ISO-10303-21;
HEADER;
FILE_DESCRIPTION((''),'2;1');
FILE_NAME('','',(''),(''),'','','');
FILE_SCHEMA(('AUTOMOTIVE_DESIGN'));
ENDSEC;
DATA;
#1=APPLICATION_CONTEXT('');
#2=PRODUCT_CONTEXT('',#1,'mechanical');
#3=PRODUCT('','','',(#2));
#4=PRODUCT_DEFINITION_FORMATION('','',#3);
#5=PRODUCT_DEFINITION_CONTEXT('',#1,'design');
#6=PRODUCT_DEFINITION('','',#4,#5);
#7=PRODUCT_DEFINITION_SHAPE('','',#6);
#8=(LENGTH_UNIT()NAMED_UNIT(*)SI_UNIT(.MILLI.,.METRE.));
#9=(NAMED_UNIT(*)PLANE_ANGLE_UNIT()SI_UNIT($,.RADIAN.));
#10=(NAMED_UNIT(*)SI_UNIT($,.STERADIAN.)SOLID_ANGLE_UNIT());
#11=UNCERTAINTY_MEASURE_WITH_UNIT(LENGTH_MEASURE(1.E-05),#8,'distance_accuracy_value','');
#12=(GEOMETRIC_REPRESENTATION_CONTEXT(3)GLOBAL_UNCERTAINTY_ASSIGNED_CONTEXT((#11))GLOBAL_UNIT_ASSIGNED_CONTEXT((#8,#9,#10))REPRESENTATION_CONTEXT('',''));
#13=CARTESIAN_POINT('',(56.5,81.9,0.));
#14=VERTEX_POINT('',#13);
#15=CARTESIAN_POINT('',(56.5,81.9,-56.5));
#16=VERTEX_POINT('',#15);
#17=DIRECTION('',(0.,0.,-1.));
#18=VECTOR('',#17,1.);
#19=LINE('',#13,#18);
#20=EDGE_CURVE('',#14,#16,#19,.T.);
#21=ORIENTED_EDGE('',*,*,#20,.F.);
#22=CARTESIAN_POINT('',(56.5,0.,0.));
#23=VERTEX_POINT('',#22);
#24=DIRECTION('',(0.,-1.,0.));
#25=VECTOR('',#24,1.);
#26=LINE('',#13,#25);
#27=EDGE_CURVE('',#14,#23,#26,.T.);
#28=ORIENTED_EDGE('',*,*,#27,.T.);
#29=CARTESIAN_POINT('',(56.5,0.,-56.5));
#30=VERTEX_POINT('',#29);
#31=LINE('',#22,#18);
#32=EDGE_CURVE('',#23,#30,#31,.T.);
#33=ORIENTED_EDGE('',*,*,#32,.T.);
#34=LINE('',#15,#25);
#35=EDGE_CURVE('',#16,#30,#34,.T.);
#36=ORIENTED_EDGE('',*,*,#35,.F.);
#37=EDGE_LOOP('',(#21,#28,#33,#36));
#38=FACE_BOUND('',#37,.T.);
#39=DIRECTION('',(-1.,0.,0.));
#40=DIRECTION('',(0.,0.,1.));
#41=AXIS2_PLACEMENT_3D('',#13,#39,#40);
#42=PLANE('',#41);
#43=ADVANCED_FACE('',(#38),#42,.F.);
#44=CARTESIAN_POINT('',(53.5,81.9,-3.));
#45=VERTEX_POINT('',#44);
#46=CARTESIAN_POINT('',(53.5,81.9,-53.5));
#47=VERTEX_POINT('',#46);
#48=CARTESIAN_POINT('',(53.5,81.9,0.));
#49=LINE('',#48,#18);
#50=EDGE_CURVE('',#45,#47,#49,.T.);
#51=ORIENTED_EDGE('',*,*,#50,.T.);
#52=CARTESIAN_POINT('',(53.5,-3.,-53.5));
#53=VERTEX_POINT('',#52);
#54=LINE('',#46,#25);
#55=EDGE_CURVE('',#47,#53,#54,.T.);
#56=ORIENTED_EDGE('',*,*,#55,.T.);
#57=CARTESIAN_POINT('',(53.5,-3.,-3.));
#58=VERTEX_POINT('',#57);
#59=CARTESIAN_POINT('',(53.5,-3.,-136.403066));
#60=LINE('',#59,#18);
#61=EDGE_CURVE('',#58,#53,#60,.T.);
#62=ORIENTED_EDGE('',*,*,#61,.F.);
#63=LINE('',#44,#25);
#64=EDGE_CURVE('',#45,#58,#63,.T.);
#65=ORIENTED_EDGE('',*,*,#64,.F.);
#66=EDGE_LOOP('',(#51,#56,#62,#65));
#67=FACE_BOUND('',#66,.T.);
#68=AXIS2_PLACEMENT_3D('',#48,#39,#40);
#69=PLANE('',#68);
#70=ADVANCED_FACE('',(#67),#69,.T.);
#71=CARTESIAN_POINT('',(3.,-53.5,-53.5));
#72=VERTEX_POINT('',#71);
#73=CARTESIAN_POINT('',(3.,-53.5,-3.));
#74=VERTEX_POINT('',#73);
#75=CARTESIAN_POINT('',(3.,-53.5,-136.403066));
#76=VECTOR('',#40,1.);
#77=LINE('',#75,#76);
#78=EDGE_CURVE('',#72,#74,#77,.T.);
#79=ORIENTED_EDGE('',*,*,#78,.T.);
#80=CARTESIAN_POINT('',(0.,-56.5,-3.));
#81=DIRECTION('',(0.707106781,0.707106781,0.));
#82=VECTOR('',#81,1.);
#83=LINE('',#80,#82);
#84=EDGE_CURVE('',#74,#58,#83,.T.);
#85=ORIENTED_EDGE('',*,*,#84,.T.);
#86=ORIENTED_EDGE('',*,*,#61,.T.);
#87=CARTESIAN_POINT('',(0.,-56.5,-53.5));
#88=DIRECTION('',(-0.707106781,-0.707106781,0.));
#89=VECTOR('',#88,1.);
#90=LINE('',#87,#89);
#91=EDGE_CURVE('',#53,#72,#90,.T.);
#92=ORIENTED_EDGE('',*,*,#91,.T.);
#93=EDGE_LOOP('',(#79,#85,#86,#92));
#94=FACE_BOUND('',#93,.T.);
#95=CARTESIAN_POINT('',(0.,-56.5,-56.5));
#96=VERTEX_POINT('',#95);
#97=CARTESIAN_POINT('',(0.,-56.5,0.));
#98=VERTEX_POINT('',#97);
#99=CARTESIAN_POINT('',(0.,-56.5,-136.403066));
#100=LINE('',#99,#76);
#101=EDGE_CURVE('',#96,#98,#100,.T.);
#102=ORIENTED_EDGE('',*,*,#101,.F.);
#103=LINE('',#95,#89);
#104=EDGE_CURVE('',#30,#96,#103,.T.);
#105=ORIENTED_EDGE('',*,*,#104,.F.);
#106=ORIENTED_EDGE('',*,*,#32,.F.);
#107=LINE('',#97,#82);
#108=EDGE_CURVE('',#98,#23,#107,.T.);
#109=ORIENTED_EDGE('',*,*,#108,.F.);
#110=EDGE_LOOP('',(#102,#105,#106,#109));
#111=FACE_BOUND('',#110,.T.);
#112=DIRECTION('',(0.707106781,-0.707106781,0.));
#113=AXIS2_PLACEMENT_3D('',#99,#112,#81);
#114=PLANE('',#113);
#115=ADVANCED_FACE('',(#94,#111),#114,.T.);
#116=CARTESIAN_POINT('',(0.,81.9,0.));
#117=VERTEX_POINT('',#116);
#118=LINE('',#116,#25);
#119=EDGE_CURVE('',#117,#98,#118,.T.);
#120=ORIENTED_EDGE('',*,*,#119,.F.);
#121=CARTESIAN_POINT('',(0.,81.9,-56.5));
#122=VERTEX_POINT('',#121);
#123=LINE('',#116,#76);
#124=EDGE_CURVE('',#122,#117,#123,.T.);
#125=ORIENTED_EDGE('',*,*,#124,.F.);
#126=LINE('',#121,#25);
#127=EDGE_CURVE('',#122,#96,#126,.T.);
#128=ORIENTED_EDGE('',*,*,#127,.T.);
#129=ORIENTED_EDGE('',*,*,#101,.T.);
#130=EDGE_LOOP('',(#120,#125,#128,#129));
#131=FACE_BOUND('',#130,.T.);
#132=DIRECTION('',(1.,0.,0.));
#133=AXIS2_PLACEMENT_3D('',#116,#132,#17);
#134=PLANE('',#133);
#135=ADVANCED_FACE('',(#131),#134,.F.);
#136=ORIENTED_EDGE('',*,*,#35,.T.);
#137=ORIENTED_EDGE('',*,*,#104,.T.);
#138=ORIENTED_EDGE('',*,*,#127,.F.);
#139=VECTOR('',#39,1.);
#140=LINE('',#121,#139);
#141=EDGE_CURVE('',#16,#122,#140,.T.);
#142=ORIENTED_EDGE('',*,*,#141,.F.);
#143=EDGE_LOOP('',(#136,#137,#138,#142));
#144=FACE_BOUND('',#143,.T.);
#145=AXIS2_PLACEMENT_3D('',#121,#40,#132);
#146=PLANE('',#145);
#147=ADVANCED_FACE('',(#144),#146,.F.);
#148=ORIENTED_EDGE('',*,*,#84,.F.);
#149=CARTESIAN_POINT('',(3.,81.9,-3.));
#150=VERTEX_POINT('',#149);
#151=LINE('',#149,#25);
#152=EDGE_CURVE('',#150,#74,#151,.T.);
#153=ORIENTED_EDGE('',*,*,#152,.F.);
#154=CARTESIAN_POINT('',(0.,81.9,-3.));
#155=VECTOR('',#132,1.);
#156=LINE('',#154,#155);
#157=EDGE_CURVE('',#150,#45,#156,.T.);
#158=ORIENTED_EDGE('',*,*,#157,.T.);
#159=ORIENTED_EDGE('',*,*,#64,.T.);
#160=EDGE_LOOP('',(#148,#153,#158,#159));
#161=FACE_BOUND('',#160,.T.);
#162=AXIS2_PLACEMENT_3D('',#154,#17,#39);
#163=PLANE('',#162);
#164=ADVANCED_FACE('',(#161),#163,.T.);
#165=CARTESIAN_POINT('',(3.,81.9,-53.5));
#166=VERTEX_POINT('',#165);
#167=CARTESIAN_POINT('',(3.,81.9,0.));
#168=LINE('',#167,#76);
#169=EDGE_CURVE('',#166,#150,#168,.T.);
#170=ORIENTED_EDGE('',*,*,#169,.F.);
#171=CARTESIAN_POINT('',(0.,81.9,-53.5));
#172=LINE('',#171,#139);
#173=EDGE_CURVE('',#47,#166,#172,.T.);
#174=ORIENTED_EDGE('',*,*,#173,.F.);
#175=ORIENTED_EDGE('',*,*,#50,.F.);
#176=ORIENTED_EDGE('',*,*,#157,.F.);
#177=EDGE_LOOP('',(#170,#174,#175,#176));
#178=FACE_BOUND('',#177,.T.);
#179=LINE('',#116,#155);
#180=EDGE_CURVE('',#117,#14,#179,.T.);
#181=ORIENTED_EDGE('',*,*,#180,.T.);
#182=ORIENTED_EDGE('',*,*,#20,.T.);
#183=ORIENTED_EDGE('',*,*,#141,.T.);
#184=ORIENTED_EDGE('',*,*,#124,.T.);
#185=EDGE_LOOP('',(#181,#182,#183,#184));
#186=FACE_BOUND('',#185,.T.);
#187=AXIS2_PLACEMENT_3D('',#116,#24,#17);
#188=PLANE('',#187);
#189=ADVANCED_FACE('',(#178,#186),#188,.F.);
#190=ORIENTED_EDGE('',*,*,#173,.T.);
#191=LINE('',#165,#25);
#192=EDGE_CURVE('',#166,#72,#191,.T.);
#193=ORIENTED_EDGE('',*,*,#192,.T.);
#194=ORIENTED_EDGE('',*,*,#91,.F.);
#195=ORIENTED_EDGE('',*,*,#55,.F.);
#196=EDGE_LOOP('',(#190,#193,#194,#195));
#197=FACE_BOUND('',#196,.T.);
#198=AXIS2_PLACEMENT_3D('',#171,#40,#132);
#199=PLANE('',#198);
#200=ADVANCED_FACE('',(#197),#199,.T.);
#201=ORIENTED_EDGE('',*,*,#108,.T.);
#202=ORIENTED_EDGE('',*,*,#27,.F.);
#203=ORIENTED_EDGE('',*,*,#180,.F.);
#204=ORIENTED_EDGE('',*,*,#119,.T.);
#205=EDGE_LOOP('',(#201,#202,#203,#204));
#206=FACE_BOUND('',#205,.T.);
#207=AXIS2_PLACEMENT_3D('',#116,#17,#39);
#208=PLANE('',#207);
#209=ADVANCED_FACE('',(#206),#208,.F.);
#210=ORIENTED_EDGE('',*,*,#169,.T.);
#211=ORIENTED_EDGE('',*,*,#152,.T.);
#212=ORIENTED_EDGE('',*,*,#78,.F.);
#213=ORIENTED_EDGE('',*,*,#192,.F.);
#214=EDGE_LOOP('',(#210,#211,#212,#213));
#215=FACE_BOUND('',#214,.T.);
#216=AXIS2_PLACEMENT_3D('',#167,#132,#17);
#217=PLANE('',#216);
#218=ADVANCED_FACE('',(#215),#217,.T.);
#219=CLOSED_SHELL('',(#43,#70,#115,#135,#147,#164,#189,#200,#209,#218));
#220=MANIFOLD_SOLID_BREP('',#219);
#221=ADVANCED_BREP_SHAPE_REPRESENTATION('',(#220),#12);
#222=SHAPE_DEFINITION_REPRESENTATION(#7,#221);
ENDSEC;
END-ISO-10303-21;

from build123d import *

# Parameters (mm, degrees)
CROQUIS1_W              = 56.5
CROQUIS1_H              = 56.5
SALIENTE_EXTRUIR1_DEPTH = 81.9
SALIENTE_EXTRUIR2_DEPTH = 56.5
VACIADO4_T              = -3


with BuildPart() as part:
    # Croquis1 → Saliente-Extruir1 (new body)
    with BuildSketch(Plane(origin=(0, 0, 0), x_dir=(1, 0, 0), z_dir=(0, 1, 0))):
        with Locations((28.25, 28.25)):
            Rectangle(CROQUIS1_W, CROQUIS1_H)
    extrude(amount=SALIENTE_EXTRUIR1_DEPTH)

    # Croquis2 → Saliente-Extruir2 (add)
    with BuildSketch(Plane.XY):
        Polygon((0, 0), (0, -56.5), (56.5, 0), align=None)
    extrude(amount=-SALIENTE_EXTRUIR2_DEPTH)

    # Vaciado4
    vaciado4_openings = [part.faces().sort_by_distance(p)[0] for p in [
        (28.25, 81.9, -28.25),
        (28.25, -28.25, -28.25),
    ]]
    offset(amount=VACIADO4_T, openings=vaciado4_openings, kind=Kind.INTERSECTION)


solid = part.part
